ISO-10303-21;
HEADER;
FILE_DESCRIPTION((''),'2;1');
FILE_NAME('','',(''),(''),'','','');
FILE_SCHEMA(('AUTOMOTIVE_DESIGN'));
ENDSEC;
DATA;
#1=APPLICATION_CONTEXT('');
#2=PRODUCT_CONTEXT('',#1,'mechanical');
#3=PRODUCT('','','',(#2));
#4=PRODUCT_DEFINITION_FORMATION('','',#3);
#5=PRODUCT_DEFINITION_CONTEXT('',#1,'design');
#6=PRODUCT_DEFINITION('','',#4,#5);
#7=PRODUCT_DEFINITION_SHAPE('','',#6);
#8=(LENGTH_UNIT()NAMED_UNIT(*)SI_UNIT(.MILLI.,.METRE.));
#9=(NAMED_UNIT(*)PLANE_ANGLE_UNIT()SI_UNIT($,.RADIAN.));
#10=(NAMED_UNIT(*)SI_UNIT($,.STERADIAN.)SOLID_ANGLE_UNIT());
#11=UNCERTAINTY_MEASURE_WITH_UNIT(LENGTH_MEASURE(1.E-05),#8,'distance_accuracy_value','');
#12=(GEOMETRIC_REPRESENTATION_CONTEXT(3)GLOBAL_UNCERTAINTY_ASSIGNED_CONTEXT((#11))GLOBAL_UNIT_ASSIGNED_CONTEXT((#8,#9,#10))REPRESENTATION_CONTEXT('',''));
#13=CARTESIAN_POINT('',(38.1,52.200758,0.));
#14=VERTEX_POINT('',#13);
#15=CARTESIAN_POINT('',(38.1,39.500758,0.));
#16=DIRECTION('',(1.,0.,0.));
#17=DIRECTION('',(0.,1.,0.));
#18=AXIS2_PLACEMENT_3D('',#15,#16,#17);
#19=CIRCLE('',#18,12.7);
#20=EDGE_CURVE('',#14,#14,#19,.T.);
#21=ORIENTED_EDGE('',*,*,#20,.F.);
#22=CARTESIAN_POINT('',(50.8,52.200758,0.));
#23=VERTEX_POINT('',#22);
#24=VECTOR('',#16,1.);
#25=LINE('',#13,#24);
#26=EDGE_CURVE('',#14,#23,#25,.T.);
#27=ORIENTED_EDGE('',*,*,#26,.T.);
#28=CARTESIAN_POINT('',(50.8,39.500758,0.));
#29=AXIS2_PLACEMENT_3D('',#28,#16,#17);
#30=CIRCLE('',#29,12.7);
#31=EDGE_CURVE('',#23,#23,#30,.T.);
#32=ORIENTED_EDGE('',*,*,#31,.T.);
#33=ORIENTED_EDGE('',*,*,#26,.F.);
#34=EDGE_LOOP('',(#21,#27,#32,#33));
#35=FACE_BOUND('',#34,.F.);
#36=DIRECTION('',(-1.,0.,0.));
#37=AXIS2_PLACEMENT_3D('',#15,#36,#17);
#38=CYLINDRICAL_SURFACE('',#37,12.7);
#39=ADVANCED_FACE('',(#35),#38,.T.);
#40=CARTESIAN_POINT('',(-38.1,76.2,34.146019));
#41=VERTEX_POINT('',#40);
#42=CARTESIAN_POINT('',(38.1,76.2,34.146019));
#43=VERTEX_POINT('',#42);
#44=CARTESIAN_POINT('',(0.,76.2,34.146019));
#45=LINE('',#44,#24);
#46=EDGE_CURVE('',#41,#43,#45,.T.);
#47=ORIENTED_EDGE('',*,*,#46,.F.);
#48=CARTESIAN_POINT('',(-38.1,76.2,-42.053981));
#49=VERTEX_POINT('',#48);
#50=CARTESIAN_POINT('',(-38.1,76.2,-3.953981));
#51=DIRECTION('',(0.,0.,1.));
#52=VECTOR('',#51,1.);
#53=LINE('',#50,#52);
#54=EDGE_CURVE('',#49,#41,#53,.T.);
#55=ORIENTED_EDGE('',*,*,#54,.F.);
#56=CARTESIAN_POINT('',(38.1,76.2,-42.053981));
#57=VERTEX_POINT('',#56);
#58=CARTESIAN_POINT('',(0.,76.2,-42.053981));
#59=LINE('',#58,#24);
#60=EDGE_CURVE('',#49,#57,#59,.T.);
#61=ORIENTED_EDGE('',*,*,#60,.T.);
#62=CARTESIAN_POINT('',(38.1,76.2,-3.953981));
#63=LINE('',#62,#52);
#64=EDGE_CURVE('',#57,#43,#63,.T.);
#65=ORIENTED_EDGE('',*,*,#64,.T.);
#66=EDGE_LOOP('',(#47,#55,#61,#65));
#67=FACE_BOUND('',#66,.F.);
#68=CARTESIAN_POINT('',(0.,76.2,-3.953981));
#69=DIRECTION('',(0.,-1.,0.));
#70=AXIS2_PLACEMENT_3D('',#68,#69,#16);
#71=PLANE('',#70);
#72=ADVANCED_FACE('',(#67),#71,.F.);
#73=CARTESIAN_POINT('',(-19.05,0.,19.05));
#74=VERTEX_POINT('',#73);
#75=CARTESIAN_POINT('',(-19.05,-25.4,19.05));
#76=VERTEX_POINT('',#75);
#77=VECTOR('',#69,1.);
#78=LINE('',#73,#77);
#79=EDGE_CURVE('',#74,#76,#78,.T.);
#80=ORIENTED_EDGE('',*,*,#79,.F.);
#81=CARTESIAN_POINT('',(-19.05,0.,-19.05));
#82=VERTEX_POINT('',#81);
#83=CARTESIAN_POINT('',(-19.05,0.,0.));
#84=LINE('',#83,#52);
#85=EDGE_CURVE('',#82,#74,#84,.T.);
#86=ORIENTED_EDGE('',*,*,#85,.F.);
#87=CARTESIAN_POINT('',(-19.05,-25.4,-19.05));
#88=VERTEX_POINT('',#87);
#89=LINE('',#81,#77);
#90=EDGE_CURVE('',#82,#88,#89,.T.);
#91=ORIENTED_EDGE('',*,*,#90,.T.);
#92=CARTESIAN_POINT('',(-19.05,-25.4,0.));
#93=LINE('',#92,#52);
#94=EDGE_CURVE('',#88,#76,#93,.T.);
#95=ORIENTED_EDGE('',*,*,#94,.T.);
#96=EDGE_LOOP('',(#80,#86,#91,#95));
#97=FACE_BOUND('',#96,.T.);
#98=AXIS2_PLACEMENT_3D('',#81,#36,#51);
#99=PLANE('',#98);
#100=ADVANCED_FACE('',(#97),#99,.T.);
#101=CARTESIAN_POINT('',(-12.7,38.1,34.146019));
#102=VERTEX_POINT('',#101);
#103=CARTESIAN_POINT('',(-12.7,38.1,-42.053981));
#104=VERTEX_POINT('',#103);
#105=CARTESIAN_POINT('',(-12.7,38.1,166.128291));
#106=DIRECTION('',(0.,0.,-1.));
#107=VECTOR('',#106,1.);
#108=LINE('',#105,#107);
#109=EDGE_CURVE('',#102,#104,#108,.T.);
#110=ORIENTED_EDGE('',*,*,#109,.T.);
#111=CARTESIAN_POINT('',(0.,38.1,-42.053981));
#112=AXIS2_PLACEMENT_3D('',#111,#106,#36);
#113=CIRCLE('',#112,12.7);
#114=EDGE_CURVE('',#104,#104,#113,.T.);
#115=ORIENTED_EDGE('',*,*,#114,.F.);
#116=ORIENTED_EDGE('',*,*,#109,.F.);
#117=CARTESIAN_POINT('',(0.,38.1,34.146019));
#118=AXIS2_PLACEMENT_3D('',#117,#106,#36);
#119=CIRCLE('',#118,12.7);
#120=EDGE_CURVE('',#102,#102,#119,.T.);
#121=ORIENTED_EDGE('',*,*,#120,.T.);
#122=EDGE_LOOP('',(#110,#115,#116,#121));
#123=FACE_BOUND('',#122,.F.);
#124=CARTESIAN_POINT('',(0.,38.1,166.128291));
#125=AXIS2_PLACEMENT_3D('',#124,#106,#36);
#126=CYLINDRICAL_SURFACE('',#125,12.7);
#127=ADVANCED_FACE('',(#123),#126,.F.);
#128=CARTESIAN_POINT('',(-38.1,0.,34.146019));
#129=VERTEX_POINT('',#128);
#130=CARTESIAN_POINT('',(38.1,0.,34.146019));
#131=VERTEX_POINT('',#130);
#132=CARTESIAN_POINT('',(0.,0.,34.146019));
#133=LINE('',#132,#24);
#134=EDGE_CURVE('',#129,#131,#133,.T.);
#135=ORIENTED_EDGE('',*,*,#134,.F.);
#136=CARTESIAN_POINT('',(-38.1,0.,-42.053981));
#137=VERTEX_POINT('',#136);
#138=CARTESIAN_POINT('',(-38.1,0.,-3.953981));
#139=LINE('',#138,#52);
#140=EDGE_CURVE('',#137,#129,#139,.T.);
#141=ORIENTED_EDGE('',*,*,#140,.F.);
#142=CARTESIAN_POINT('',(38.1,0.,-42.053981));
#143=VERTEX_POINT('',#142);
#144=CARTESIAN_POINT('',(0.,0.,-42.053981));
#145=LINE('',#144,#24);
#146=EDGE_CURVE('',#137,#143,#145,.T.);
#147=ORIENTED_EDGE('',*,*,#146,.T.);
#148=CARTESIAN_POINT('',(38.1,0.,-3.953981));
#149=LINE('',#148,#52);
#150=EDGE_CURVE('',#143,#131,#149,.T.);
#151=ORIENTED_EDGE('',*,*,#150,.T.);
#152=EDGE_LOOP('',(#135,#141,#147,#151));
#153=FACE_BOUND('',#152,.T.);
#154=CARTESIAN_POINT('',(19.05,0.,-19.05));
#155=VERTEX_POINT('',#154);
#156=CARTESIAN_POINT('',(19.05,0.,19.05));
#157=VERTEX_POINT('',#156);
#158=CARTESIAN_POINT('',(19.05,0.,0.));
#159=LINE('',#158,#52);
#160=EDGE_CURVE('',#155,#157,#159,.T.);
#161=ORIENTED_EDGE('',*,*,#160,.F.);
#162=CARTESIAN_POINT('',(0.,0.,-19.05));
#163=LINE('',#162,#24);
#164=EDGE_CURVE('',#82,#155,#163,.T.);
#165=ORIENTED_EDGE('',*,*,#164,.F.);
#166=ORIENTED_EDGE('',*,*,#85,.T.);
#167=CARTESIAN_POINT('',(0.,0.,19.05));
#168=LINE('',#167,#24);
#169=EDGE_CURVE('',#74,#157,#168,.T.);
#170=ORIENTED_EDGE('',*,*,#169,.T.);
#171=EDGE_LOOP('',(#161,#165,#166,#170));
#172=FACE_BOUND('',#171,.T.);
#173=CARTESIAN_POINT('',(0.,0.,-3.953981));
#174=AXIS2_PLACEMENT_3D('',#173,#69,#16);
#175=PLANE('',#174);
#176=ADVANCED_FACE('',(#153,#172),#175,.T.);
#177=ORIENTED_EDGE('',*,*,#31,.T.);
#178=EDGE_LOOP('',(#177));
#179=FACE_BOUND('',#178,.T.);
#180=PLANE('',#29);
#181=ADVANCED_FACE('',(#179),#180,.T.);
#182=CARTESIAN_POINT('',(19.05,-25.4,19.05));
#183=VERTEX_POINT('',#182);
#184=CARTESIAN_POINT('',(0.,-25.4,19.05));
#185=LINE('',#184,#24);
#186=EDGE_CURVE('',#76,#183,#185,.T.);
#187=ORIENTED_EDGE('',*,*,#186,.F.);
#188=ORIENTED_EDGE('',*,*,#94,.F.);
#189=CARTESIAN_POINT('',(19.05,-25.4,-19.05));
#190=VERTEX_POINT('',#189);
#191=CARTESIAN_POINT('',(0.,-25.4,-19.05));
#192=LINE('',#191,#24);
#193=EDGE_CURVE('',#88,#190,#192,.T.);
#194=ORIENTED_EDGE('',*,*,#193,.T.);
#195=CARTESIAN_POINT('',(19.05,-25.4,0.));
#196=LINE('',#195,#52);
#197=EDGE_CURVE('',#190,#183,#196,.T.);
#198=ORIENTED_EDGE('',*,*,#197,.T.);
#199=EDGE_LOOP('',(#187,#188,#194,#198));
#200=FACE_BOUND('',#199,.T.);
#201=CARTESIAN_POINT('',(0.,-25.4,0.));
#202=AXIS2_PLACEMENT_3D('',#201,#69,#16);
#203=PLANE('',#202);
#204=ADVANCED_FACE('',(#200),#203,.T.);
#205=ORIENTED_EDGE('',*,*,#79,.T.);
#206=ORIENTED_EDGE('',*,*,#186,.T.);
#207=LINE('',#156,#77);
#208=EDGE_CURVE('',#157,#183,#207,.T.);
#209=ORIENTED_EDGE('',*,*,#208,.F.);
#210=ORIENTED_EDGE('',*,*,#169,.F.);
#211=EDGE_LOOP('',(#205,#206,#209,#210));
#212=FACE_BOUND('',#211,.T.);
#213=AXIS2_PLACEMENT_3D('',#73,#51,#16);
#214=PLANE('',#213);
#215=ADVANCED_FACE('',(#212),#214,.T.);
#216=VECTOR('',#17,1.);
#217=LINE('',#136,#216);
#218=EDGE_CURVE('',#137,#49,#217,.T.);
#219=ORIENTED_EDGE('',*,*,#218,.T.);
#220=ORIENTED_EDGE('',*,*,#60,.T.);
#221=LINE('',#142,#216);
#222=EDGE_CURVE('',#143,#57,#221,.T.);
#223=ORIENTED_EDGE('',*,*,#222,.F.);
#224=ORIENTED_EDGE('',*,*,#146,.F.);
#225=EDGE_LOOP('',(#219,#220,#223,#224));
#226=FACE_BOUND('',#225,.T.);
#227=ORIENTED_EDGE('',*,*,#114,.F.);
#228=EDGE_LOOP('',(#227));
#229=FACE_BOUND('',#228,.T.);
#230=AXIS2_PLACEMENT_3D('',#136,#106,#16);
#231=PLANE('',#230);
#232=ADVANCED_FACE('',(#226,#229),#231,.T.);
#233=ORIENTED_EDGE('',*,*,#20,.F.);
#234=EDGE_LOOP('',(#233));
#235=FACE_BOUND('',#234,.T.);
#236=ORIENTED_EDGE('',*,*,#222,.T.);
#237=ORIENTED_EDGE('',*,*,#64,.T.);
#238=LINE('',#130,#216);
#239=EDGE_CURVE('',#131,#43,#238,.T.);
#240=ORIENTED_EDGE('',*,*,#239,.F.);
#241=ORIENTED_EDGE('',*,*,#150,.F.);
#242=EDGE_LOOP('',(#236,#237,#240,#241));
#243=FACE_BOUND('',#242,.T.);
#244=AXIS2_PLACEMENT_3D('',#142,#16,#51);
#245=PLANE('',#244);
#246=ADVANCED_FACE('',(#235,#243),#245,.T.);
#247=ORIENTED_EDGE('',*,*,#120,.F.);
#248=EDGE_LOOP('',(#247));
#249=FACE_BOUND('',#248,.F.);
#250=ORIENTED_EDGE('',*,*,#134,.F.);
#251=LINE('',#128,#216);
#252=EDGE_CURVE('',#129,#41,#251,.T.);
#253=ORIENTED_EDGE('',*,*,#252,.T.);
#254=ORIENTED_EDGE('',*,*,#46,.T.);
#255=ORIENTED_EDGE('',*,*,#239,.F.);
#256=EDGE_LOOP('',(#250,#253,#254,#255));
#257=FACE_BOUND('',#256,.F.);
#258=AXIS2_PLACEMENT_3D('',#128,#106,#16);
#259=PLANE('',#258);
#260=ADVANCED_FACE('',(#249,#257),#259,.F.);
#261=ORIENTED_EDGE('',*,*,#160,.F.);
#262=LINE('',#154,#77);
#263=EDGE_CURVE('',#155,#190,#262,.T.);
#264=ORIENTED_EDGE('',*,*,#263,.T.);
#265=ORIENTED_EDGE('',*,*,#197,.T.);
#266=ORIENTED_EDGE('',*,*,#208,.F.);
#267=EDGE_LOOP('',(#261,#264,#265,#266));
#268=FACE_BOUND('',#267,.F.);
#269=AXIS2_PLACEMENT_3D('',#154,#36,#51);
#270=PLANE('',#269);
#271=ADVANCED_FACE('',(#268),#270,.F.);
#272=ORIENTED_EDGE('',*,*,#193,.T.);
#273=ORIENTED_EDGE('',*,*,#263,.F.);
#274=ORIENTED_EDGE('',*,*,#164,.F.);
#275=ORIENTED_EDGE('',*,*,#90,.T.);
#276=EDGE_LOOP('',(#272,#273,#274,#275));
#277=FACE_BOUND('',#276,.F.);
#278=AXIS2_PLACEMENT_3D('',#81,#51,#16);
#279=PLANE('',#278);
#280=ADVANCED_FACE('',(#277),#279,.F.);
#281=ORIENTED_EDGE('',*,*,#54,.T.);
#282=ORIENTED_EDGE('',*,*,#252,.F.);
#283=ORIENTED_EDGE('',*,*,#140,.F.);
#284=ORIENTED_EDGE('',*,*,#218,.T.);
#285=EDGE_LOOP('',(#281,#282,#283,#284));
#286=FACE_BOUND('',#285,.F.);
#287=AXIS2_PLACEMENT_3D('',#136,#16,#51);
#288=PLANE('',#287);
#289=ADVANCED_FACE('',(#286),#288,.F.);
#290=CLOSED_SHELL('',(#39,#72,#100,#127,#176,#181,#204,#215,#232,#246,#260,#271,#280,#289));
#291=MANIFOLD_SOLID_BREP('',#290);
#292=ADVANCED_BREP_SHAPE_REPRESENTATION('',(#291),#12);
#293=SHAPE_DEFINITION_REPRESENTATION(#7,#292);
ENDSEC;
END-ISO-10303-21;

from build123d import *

# Parameters (mm, degrees)
F0_W     = 76.2
F0_H     = 76.2
F1_DEPTH = 76.2
F3_D     = 25.4
F4_W     = 38.1
F4_H     = 38.1
F5_DEPTH = 25.4
F6_R     = 12.7
F7_DEPTH = 12.7


with BuildPart() as f1:
    # F0 (on Front) → F1 (new body)
    with BuildSketch(Plane.XZ):
        with Locations((0, -3.953981)):
            Rectangle(F0_W, F0_H)
    extrude(amount=-F1_DEPTH)

    # F3 (through all)
    with Locations(Plane.XY.offset(34.146019)):
        with Locations((0, 38.1)):
            Hole(F3_D / 2)

    # F4 (on face) → F5 (join)
    with BuildSketch(Plane.XZ):
        Rectangle(F4_W, F4_H)
    extrude(amount=F5_DEPTH)

    # F6 (on face) → F7 (join)
    with BuildSketch(Plane.YZ.offset(38.1)):
        with Locations((39.500758, 0)):
            Circle(F6_R)
    extrude(amount=F7_DEPTH)


solid = f1.part
